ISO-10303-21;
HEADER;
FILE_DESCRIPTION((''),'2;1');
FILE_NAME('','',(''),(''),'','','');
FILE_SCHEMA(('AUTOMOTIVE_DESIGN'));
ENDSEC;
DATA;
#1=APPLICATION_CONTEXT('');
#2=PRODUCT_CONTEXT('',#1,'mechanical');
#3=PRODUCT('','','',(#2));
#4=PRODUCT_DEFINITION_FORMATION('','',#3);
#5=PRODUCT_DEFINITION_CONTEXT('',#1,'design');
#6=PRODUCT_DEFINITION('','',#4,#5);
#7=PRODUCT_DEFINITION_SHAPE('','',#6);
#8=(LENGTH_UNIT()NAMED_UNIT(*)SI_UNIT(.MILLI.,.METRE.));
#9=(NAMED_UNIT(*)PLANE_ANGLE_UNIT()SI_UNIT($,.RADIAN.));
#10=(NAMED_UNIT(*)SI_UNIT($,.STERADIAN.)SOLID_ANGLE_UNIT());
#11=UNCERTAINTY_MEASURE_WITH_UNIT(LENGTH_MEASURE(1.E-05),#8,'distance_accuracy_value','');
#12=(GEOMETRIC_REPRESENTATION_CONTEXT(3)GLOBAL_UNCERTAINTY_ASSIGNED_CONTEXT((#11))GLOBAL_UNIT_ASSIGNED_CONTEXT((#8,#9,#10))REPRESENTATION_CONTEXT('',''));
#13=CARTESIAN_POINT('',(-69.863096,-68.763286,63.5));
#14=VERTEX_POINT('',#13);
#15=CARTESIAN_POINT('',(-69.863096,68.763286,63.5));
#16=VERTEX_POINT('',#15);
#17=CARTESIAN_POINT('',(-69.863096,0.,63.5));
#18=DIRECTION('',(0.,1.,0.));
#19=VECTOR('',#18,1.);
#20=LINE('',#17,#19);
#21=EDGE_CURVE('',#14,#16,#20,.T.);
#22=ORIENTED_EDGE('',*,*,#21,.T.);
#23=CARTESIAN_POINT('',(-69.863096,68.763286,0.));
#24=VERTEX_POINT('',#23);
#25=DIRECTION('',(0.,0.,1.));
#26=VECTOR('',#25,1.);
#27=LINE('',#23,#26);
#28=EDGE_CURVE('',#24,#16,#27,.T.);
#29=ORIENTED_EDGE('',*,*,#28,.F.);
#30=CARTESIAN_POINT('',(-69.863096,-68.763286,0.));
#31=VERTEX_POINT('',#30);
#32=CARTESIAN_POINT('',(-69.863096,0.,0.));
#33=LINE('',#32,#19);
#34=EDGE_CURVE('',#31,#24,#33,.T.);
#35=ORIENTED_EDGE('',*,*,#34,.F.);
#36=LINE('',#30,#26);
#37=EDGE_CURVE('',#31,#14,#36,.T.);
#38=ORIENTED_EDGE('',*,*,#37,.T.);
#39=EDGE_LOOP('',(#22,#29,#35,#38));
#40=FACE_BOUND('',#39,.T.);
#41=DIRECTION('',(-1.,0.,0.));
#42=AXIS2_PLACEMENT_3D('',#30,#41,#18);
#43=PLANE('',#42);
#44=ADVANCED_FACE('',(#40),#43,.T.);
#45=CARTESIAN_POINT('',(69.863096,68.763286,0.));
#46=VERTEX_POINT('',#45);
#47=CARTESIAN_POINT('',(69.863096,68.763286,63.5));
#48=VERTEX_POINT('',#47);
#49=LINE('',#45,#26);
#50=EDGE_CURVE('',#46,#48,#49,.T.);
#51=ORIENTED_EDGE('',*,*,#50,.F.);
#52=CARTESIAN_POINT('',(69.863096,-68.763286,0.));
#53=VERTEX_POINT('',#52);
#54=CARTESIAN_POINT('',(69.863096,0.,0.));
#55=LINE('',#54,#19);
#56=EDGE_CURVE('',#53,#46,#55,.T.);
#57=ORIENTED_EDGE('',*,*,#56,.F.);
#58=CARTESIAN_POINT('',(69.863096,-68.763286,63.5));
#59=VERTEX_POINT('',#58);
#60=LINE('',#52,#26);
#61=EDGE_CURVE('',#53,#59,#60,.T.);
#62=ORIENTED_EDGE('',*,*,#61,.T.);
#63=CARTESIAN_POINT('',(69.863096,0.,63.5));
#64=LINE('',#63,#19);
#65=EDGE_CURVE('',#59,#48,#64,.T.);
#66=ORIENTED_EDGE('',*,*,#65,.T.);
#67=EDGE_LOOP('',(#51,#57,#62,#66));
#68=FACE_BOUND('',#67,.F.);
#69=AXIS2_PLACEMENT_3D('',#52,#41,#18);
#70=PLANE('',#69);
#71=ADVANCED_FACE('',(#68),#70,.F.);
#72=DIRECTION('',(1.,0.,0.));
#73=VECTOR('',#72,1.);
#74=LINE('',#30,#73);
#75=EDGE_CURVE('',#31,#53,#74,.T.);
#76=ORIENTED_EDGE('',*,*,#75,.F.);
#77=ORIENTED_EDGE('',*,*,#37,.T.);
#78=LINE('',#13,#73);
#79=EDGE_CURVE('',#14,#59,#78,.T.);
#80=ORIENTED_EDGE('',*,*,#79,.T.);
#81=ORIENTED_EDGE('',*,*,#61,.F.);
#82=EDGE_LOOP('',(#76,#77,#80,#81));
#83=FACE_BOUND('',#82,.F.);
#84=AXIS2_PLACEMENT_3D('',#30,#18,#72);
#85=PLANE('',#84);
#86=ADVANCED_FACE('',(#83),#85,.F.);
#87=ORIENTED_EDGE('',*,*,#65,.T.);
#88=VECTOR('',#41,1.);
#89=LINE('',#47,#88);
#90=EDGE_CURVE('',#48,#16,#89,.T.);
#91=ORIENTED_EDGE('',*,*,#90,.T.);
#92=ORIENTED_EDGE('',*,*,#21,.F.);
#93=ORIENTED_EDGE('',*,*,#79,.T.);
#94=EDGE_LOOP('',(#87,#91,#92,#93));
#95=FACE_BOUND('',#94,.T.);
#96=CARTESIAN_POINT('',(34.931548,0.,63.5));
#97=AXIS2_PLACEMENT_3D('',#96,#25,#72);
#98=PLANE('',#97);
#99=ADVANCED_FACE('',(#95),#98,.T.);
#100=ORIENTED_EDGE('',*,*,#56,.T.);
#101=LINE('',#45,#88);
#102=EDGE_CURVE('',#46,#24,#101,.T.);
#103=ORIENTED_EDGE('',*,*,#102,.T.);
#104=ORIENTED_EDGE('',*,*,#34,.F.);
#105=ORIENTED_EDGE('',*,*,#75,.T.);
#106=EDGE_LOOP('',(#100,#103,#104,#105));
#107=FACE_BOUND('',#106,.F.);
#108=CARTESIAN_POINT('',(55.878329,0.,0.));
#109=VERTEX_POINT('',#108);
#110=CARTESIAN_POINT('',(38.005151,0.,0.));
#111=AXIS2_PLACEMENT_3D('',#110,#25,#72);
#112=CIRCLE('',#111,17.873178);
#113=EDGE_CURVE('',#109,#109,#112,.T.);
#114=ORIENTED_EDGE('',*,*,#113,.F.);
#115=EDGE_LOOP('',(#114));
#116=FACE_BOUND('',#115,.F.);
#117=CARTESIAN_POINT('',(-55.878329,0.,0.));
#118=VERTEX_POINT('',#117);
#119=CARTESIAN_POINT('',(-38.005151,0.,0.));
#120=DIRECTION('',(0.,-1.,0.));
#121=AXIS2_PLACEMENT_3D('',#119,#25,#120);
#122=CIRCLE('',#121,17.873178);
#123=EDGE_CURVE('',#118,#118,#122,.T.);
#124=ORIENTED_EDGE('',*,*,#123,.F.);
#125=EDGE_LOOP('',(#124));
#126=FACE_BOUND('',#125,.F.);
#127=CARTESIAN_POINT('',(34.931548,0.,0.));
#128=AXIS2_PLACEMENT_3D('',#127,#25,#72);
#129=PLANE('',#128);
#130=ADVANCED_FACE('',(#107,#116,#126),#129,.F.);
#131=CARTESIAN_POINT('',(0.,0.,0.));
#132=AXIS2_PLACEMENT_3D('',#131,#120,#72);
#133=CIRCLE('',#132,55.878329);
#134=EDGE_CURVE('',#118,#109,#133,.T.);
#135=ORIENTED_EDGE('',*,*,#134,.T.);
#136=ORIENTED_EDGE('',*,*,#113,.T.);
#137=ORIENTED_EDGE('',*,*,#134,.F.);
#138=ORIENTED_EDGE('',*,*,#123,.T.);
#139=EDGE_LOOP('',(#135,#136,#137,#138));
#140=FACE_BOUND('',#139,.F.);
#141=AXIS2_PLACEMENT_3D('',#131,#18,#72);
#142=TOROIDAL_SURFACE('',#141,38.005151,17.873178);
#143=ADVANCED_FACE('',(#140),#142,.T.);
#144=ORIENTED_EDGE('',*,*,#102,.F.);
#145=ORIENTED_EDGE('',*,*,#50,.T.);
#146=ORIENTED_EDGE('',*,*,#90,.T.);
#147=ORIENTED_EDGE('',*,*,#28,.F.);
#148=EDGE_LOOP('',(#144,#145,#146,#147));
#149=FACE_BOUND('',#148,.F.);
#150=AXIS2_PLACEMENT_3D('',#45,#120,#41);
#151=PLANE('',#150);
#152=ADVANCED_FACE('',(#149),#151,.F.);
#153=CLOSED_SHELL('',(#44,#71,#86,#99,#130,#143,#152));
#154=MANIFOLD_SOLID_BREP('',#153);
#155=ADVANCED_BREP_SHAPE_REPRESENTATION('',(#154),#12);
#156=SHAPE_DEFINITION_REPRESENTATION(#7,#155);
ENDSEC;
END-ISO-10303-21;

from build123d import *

# Parameters (mm, degrees)
F0_W     = 69.863096
F0_H     = 137.526572
F1_DEPTH = 63.5
F2_R     = 17.873178


with BuildPart() as f1:
    # F0 (on Top) → F1 (new body)
    with BuildSketch(Plane.XY):
        with Locations((34.931548, 0)):
            Rectangle(F0_W, F0_H)
        with Locations((-34.931548, 0)):
            Rectangle(F0_W, F0_H)
    extrude(amount=F1_DEPTH)

    # F2 (on face) → F3 (revolve)
    with BuildSketch(Plane.XY):
        with Locations((38.005151, 0)):
            Circle(F2_R)
    revolve(axis=Axis((0, 0, 0), (0, -1, 0)))


solid = f1.part
